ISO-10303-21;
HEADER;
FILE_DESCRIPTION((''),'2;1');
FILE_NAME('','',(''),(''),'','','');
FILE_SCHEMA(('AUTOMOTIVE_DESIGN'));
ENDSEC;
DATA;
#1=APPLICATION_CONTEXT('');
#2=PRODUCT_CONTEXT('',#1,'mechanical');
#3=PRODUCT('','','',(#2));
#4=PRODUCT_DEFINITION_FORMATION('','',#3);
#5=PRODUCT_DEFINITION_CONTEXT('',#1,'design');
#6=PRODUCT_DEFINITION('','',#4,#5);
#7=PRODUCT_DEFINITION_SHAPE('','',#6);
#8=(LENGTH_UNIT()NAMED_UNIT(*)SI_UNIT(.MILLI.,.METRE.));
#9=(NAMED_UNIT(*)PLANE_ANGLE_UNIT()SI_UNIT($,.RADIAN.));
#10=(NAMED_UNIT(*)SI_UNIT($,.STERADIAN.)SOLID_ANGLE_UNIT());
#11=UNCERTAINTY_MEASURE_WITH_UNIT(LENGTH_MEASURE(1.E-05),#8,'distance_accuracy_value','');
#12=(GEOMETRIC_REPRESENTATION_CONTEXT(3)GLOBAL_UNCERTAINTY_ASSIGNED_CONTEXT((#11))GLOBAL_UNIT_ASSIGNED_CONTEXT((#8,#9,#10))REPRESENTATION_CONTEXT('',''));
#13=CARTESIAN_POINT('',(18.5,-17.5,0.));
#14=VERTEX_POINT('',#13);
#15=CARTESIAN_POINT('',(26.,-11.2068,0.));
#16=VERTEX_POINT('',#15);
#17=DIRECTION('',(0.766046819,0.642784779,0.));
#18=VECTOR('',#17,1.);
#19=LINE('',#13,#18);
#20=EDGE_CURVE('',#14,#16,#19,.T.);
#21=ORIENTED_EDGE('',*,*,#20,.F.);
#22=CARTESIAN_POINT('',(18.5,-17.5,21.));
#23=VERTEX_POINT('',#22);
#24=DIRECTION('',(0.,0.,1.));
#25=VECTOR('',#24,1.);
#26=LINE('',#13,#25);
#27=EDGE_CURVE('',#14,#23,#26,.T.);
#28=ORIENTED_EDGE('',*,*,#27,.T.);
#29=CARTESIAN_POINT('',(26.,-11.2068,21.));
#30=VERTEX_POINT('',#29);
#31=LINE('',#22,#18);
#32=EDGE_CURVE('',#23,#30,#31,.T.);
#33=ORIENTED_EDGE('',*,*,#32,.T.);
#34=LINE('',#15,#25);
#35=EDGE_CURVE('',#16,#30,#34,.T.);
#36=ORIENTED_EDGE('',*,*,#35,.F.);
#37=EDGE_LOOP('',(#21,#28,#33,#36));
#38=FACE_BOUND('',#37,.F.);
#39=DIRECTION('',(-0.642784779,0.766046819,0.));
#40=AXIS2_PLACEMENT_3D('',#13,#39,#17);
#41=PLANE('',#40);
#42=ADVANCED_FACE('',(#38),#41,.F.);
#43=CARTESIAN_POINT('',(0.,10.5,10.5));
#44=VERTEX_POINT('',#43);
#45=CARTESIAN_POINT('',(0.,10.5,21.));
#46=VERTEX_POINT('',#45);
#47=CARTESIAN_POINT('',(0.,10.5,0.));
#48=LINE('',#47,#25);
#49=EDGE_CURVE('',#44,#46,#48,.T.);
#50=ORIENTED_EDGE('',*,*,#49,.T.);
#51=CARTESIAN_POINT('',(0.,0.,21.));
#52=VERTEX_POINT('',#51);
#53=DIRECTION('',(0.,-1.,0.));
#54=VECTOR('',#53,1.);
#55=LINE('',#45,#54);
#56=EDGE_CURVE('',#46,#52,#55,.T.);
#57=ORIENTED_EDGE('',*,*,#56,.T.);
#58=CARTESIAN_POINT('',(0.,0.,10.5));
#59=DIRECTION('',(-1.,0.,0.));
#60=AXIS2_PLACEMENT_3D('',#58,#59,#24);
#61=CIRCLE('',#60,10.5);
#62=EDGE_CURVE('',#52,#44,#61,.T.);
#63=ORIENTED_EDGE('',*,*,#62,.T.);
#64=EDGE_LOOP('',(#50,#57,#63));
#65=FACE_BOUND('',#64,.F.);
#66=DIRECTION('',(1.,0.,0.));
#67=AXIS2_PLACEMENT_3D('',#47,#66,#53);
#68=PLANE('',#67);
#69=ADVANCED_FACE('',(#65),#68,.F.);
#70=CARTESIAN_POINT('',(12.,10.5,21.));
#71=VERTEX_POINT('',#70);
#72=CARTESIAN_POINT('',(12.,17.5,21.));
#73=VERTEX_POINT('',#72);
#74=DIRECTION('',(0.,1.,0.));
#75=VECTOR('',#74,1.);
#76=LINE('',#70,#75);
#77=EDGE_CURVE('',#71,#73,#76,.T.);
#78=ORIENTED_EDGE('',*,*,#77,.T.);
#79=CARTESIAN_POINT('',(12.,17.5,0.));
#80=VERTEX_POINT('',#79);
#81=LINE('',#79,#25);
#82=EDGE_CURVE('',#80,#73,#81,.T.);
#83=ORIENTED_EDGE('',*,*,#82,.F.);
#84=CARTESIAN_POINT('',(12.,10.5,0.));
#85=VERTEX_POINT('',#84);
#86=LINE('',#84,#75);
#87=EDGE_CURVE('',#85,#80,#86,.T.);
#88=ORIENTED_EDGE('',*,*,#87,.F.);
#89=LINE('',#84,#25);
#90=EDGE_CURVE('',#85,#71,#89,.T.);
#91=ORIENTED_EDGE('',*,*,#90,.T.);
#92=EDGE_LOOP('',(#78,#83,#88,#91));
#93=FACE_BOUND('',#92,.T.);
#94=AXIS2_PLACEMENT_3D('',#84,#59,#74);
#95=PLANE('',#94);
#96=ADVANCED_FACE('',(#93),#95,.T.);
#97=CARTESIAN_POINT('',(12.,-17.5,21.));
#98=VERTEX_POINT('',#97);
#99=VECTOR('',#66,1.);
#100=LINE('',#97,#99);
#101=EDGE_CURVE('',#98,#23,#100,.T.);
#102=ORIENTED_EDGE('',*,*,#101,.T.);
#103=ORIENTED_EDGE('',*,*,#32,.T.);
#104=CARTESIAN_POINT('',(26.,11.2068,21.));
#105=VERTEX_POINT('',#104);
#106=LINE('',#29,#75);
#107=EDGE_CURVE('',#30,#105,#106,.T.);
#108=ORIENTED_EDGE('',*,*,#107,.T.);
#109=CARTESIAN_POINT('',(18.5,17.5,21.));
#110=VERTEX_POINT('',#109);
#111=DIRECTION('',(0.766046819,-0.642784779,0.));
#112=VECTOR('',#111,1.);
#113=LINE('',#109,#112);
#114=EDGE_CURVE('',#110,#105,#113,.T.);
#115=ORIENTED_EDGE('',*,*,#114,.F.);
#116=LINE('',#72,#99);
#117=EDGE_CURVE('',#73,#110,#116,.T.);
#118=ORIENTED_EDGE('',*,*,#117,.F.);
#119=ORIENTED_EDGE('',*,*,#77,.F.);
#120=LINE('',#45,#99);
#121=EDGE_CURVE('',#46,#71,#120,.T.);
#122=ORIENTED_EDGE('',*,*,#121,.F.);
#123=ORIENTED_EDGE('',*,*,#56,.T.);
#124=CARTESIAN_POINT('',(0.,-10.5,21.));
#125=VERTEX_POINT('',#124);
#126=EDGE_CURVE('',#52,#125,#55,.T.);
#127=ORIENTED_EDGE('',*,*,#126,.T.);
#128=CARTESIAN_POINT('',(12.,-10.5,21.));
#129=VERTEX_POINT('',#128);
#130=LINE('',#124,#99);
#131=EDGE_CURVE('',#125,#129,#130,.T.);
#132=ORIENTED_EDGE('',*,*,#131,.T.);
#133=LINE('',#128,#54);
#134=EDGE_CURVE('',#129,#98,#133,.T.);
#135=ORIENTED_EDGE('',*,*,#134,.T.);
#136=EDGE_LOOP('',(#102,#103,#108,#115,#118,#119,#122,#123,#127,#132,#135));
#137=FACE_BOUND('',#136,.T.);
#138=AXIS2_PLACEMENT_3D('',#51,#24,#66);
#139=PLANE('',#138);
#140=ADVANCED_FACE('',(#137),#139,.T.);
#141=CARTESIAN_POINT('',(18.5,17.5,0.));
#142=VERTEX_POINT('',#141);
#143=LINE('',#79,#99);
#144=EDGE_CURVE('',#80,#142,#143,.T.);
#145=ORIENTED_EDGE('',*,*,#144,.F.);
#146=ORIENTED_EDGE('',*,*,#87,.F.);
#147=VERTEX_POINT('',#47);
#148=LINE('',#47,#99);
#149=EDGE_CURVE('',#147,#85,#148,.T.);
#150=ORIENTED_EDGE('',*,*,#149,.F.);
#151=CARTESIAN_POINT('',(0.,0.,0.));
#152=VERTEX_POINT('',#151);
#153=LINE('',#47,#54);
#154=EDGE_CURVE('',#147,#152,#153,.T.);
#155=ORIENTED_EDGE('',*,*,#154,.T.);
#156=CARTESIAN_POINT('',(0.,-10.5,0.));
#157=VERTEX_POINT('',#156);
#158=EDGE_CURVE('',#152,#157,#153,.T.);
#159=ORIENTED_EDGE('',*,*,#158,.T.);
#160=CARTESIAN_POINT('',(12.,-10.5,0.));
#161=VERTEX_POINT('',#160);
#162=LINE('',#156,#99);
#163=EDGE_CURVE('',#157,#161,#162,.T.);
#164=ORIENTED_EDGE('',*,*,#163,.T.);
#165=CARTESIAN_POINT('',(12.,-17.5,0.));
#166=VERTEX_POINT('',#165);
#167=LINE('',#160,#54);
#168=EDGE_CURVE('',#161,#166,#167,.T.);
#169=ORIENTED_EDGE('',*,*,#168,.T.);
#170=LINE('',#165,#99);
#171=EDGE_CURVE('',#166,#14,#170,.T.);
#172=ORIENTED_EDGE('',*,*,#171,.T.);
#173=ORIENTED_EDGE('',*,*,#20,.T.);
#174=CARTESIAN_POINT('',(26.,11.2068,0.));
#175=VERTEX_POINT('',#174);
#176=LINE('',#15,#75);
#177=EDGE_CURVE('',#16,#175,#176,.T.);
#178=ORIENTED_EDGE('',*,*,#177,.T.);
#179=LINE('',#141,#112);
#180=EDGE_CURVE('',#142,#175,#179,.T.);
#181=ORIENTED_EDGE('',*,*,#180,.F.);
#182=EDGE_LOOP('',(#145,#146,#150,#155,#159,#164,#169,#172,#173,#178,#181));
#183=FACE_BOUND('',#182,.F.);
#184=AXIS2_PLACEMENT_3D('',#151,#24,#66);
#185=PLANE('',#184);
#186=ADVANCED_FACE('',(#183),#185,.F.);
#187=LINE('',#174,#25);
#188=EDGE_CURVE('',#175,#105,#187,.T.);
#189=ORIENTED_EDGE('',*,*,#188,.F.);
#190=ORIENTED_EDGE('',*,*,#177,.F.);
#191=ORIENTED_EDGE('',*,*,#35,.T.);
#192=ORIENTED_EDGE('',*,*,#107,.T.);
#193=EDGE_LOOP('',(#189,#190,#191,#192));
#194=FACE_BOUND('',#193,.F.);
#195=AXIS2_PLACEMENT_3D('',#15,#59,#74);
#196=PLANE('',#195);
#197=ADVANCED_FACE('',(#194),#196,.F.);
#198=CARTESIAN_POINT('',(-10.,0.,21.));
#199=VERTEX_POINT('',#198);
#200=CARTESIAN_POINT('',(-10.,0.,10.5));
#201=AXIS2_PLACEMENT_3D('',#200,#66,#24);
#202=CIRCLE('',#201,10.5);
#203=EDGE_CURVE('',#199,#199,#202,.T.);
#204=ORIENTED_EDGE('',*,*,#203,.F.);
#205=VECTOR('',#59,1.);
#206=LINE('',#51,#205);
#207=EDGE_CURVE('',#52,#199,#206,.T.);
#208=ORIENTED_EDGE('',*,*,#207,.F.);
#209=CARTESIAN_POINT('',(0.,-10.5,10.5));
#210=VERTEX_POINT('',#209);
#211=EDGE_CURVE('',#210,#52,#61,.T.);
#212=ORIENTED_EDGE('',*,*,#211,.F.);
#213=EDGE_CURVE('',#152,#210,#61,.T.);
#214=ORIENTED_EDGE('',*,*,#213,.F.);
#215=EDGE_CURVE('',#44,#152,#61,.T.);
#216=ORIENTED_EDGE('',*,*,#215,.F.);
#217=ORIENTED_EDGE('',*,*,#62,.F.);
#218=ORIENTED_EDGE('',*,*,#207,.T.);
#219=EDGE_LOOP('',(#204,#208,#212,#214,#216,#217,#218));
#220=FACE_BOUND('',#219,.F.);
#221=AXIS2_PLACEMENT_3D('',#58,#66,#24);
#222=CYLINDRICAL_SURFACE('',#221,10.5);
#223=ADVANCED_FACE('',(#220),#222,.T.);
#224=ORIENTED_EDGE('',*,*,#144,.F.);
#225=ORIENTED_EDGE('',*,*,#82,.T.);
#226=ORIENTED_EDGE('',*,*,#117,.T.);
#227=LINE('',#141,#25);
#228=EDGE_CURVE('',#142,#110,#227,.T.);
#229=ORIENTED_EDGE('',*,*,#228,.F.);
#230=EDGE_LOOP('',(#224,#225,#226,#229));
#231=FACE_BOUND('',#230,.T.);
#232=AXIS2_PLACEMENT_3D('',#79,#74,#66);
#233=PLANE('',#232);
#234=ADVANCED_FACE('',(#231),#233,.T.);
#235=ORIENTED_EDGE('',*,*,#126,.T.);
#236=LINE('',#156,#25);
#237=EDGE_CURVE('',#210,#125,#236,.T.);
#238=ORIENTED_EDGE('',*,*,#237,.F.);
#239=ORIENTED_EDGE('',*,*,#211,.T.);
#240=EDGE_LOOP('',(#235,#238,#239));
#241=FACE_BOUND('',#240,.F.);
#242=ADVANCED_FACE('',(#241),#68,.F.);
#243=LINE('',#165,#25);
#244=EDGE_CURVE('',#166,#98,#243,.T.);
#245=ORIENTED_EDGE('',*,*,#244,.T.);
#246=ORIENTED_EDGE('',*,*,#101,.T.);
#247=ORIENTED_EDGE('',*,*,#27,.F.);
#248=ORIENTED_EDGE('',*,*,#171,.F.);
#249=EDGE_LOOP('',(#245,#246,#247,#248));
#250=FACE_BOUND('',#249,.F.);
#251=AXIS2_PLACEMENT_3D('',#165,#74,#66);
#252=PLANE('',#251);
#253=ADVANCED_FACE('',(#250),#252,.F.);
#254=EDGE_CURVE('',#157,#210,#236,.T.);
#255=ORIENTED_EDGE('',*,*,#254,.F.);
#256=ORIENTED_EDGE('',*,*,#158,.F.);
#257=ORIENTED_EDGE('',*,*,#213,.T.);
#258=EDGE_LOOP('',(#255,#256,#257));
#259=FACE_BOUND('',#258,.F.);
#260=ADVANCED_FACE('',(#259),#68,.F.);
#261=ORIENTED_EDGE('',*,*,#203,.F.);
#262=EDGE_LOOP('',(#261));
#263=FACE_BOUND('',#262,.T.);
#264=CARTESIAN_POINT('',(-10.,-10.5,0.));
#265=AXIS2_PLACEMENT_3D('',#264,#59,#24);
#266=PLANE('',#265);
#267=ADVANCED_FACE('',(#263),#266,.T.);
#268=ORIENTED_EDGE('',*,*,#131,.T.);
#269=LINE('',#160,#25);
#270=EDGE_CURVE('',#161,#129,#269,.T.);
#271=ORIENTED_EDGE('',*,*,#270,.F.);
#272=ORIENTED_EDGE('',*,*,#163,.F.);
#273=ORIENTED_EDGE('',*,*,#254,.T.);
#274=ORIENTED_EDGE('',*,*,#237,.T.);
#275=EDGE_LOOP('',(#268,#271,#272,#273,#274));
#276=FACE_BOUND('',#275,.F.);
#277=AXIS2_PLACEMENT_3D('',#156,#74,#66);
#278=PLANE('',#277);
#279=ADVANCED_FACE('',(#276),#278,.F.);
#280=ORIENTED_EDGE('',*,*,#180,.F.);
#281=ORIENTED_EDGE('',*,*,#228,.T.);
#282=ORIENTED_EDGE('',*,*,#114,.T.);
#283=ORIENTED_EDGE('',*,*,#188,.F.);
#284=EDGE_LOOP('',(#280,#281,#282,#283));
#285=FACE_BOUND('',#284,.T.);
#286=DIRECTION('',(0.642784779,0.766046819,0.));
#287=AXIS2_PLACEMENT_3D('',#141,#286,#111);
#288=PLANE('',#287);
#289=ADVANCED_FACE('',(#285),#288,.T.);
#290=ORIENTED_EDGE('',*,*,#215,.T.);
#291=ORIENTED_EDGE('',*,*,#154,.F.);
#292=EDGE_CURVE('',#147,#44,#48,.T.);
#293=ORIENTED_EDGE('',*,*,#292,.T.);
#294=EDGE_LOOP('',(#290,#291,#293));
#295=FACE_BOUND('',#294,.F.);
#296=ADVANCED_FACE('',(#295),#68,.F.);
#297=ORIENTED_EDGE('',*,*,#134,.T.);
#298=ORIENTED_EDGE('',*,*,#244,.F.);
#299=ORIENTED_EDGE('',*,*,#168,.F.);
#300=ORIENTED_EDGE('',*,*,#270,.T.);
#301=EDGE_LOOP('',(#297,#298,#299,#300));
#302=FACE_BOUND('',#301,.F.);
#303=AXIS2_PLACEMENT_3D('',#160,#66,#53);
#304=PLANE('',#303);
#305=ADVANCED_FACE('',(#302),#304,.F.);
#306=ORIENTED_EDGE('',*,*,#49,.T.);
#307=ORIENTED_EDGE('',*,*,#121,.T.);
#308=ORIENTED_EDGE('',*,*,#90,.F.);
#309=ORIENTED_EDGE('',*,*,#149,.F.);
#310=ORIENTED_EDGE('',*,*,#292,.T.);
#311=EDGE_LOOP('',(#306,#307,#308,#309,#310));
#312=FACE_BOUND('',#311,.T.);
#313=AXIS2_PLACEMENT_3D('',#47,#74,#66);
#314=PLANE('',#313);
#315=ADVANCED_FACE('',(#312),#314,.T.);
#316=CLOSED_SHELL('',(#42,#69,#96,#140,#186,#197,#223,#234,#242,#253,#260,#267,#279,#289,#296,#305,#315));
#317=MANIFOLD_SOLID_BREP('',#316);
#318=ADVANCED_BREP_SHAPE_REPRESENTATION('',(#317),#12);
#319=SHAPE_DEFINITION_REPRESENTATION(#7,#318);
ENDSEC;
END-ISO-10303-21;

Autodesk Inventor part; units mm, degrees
ref_plane "YZ Plane" through (0, 0, 0) normal (1, 0, 0) x (0, 1, 0)
ref_plane "XZ Plane" through (0, 0, 0) normal (0, 1, 0) x (-1, 0, 0)
ref_plane "XY Plane" through (0, 0, 0) normal (0, 0, 1) x (1, 0, 0)
sketch "Sketch1" plane through (0, 0, 0) normal (0, 0, 1) x (1, 0, 0)
  line L0 (0, 10.5) -> (12, 10.5)
  line L1 (12, 10.5) -> (12, 17.5)
  line L2 (12, 17.5) -> (18.5, 17.5)
  line L3 (18.5, 17.5) -> (26, 11.2068)
  line L4 (0, 10.5) -> (0, -10.5)
  line L5 (0, -10.5) -> (12, -10.5)
  line L6 (12, -10.5) -> (12, -17.5)
  line L7 (12, -17.5) -> (18.5, -17.5)
  line L8 (18.5, -17.5) -> (26, -11.2068)
  line L9 (26, -11.2068) -> (26, 11.2068)
  point P0 (0, 0)
  point P1 (0, 0)
  dimension "d0" = 12
  dimension "d1" = 7
  dimension "d2" = 6.5
  dimension "d3" = 21
  dimension "d5" = 14
  dimension "d8" = 140
  dimension "d9" = 140
extrude "Extrusion1" add sketch "Sketch1" along normal blind 21
sketch "Sketch2" plane through (0, -10.5, 0) normal (-1, 0, 0) x (0, 0, 1)
  line L0 (0, 21) -> (0, 0) projected
  line L1 (0, 21) -> (0, 0) projected
  line L2 (0, 0) -> (21, 0) projected
  line L3 (21, 21) -> (21, 0) projected
  line L4 (0, 21) -> (21, 21) projected
  circle A0 centre (10.5, 10.5) radius 10.5
  point P0 (0, 10.5)
extrude "Extrusion2" add sketch "Sketch2" along normal blind 10 contours A0
equation "\"d9\" = d8"
properties part number "m_Schienenteil"
